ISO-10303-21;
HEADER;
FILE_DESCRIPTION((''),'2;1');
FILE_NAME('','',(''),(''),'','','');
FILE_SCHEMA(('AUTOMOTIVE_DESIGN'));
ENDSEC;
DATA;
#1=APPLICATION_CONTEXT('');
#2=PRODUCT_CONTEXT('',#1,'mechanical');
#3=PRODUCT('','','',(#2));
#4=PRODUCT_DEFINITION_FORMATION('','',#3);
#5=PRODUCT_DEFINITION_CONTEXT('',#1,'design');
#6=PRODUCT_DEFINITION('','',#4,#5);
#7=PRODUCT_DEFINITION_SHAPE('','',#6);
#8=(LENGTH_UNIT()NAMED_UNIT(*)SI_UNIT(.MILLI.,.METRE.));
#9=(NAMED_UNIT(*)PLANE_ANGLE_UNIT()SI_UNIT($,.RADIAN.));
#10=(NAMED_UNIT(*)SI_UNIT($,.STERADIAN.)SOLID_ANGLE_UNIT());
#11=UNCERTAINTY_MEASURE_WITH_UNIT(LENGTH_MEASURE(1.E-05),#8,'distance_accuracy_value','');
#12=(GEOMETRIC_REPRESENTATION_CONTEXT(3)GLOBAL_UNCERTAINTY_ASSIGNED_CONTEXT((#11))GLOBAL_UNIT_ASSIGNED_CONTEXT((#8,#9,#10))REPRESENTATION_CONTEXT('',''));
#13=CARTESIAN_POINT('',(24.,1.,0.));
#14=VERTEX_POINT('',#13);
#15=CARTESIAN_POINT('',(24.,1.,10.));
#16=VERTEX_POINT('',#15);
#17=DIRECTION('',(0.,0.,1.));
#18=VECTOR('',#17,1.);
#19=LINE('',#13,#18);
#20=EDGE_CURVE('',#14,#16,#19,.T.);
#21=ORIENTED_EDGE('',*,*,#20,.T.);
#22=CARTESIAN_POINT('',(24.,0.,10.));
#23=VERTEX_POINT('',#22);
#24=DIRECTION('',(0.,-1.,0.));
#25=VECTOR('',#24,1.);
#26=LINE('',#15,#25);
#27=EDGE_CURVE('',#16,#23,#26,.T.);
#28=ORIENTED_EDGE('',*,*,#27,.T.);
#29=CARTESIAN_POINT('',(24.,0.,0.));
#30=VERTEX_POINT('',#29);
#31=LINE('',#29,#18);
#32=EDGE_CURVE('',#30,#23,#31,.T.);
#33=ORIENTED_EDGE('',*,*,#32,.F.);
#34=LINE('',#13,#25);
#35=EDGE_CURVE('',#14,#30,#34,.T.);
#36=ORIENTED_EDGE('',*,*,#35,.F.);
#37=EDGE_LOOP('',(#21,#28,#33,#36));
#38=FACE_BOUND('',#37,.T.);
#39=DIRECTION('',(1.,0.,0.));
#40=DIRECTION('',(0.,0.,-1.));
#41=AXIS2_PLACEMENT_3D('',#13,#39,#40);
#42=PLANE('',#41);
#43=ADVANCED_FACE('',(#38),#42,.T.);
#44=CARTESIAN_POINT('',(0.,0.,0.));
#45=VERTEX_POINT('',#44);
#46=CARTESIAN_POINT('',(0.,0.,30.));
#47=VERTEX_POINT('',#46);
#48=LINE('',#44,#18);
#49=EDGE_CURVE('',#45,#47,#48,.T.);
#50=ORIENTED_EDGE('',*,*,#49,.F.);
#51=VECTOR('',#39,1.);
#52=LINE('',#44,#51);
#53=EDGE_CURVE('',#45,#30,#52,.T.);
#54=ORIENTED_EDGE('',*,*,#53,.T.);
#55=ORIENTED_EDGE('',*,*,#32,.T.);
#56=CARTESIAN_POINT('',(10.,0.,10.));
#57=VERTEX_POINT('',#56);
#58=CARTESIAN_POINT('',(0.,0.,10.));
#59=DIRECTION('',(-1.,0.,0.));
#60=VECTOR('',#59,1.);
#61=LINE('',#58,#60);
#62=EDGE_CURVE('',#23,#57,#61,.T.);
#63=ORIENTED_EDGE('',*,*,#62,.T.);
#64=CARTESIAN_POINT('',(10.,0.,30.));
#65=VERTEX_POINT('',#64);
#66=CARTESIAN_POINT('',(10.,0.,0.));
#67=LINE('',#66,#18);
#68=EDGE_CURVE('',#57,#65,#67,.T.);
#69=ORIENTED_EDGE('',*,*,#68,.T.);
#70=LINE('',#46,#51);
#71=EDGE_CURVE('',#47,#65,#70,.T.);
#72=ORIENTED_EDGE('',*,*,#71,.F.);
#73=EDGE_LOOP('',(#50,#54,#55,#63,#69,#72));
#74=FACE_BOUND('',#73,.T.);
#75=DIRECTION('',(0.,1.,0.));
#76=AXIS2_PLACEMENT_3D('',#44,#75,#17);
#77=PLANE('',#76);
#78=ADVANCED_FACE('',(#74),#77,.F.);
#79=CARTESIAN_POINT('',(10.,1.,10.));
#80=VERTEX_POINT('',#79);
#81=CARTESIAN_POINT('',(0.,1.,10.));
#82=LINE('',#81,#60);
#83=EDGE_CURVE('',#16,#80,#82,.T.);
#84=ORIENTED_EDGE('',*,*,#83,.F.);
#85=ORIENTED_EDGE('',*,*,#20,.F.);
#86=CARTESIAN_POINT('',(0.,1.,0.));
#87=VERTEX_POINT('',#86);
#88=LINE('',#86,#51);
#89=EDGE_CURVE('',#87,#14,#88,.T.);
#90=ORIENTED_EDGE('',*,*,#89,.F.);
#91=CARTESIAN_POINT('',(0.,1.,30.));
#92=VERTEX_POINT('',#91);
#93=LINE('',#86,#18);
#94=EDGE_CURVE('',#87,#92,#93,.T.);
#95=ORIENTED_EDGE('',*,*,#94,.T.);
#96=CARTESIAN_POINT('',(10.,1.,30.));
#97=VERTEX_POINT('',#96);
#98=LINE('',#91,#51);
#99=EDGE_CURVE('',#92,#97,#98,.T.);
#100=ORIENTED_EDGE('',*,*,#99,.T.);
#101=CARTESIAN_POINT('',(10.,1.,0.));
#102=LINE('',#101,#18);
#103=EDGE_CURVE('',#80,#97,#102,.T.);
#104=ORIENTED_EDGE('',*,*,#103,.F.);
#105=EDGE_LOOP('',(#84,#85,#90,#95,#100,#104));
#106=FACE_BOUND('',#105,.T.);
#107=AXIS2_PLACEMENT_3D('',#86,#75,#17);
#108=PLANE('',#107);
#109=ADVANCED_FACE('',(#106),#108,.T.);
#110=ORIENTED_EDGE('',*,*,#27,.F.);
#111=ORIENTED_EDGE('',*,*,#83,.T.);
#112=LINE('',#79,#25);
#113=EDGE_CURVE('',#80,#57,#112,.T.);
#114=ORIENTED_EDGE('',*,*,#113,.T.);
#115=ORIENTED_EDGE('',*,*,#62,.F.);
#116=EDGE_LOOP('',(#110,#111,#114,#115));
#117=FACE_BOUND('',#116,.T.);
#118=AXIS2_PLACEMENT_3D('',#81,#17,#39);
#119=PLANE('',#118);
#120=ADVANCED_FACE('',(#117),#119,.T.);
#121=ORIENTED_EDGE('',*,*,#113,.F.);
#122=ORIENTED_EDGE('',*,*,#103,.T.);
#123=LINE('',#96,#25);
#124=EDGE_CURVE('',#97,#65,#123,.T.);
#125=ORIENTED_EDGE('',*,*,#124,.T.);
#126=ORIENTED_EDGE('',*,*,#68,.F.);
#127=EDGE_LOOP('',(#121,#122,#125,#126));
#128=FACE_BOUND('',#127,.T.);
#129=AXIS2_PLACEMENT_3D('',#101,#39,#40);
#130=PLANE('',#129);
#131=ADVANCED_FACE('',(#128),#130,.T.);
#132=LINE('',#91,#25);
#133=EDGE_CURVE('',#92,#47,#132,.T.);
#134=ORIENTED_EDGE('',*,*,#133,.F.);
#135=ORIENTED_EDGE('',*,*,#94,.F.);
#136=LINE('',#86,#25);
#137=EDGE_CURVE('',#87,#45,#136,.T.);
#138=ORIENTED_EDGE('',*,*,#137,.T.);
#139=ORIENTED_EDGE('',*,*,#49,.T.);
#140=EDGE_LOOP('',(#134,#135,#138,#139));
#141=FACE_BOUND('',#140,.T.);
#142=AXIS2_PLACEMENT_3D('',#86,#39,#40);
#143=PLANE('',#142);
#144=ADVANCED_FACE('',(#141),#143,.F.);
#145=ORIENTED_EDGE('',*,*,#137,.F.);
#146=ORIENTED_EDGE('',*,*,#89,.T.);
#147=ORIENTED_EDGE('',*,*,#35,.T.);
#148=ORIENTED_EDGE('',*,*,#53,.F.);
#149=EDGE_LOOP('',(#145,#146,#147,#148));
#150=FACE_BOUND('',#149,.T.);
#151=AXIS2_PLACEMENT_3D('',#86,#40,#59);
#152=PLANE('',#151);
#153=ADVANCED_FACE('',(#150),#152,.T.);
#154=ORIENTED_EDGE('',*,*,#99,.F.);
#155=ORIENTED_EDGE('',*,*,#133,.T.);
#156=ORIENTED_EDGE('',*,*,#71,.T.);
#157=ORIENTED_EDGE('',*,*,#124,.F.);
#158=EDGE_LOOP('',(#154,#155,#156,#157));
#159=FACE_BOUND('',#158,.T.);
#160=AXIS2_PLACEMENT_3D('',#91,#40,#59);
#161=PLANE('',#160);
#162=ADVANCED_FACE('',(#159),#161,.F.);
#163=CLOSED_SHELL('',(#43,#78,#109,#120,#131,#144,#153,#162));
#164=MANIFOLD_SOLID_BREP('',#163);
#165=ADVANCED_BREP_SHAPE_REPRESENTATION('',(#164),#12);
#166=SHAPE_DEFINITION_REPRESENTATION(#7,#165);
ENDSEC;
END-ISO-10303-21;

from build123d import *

# Parameters (mm, degrees)
SKETCH1_W           = 10
SKETCH1_H           = 30
SKETCH1_W_2         = 14
SKETCH1_H_2         = 10
BOSS_EXTRUDE1_DEPTH = 1


with BuildPart() as part:
    # Sketch1 → Boss-Extrude1 (new body)
    with BuildSketch(Plane(origin=(0, 0, 0), x_dir=(1, 0, 0), z_dir=(0, 1, 0))):
        with Locations((5, -15)):
            Rectangle(SKETCH1_W, SKETCH1_H)
        with Locations((17, -5)):
            Rectangle(SKETCH1_W_2, SKETCH1_H_2)
    extrude(amount=BOSS_EXTRUDE1_DEPTH)


solid = part.part
